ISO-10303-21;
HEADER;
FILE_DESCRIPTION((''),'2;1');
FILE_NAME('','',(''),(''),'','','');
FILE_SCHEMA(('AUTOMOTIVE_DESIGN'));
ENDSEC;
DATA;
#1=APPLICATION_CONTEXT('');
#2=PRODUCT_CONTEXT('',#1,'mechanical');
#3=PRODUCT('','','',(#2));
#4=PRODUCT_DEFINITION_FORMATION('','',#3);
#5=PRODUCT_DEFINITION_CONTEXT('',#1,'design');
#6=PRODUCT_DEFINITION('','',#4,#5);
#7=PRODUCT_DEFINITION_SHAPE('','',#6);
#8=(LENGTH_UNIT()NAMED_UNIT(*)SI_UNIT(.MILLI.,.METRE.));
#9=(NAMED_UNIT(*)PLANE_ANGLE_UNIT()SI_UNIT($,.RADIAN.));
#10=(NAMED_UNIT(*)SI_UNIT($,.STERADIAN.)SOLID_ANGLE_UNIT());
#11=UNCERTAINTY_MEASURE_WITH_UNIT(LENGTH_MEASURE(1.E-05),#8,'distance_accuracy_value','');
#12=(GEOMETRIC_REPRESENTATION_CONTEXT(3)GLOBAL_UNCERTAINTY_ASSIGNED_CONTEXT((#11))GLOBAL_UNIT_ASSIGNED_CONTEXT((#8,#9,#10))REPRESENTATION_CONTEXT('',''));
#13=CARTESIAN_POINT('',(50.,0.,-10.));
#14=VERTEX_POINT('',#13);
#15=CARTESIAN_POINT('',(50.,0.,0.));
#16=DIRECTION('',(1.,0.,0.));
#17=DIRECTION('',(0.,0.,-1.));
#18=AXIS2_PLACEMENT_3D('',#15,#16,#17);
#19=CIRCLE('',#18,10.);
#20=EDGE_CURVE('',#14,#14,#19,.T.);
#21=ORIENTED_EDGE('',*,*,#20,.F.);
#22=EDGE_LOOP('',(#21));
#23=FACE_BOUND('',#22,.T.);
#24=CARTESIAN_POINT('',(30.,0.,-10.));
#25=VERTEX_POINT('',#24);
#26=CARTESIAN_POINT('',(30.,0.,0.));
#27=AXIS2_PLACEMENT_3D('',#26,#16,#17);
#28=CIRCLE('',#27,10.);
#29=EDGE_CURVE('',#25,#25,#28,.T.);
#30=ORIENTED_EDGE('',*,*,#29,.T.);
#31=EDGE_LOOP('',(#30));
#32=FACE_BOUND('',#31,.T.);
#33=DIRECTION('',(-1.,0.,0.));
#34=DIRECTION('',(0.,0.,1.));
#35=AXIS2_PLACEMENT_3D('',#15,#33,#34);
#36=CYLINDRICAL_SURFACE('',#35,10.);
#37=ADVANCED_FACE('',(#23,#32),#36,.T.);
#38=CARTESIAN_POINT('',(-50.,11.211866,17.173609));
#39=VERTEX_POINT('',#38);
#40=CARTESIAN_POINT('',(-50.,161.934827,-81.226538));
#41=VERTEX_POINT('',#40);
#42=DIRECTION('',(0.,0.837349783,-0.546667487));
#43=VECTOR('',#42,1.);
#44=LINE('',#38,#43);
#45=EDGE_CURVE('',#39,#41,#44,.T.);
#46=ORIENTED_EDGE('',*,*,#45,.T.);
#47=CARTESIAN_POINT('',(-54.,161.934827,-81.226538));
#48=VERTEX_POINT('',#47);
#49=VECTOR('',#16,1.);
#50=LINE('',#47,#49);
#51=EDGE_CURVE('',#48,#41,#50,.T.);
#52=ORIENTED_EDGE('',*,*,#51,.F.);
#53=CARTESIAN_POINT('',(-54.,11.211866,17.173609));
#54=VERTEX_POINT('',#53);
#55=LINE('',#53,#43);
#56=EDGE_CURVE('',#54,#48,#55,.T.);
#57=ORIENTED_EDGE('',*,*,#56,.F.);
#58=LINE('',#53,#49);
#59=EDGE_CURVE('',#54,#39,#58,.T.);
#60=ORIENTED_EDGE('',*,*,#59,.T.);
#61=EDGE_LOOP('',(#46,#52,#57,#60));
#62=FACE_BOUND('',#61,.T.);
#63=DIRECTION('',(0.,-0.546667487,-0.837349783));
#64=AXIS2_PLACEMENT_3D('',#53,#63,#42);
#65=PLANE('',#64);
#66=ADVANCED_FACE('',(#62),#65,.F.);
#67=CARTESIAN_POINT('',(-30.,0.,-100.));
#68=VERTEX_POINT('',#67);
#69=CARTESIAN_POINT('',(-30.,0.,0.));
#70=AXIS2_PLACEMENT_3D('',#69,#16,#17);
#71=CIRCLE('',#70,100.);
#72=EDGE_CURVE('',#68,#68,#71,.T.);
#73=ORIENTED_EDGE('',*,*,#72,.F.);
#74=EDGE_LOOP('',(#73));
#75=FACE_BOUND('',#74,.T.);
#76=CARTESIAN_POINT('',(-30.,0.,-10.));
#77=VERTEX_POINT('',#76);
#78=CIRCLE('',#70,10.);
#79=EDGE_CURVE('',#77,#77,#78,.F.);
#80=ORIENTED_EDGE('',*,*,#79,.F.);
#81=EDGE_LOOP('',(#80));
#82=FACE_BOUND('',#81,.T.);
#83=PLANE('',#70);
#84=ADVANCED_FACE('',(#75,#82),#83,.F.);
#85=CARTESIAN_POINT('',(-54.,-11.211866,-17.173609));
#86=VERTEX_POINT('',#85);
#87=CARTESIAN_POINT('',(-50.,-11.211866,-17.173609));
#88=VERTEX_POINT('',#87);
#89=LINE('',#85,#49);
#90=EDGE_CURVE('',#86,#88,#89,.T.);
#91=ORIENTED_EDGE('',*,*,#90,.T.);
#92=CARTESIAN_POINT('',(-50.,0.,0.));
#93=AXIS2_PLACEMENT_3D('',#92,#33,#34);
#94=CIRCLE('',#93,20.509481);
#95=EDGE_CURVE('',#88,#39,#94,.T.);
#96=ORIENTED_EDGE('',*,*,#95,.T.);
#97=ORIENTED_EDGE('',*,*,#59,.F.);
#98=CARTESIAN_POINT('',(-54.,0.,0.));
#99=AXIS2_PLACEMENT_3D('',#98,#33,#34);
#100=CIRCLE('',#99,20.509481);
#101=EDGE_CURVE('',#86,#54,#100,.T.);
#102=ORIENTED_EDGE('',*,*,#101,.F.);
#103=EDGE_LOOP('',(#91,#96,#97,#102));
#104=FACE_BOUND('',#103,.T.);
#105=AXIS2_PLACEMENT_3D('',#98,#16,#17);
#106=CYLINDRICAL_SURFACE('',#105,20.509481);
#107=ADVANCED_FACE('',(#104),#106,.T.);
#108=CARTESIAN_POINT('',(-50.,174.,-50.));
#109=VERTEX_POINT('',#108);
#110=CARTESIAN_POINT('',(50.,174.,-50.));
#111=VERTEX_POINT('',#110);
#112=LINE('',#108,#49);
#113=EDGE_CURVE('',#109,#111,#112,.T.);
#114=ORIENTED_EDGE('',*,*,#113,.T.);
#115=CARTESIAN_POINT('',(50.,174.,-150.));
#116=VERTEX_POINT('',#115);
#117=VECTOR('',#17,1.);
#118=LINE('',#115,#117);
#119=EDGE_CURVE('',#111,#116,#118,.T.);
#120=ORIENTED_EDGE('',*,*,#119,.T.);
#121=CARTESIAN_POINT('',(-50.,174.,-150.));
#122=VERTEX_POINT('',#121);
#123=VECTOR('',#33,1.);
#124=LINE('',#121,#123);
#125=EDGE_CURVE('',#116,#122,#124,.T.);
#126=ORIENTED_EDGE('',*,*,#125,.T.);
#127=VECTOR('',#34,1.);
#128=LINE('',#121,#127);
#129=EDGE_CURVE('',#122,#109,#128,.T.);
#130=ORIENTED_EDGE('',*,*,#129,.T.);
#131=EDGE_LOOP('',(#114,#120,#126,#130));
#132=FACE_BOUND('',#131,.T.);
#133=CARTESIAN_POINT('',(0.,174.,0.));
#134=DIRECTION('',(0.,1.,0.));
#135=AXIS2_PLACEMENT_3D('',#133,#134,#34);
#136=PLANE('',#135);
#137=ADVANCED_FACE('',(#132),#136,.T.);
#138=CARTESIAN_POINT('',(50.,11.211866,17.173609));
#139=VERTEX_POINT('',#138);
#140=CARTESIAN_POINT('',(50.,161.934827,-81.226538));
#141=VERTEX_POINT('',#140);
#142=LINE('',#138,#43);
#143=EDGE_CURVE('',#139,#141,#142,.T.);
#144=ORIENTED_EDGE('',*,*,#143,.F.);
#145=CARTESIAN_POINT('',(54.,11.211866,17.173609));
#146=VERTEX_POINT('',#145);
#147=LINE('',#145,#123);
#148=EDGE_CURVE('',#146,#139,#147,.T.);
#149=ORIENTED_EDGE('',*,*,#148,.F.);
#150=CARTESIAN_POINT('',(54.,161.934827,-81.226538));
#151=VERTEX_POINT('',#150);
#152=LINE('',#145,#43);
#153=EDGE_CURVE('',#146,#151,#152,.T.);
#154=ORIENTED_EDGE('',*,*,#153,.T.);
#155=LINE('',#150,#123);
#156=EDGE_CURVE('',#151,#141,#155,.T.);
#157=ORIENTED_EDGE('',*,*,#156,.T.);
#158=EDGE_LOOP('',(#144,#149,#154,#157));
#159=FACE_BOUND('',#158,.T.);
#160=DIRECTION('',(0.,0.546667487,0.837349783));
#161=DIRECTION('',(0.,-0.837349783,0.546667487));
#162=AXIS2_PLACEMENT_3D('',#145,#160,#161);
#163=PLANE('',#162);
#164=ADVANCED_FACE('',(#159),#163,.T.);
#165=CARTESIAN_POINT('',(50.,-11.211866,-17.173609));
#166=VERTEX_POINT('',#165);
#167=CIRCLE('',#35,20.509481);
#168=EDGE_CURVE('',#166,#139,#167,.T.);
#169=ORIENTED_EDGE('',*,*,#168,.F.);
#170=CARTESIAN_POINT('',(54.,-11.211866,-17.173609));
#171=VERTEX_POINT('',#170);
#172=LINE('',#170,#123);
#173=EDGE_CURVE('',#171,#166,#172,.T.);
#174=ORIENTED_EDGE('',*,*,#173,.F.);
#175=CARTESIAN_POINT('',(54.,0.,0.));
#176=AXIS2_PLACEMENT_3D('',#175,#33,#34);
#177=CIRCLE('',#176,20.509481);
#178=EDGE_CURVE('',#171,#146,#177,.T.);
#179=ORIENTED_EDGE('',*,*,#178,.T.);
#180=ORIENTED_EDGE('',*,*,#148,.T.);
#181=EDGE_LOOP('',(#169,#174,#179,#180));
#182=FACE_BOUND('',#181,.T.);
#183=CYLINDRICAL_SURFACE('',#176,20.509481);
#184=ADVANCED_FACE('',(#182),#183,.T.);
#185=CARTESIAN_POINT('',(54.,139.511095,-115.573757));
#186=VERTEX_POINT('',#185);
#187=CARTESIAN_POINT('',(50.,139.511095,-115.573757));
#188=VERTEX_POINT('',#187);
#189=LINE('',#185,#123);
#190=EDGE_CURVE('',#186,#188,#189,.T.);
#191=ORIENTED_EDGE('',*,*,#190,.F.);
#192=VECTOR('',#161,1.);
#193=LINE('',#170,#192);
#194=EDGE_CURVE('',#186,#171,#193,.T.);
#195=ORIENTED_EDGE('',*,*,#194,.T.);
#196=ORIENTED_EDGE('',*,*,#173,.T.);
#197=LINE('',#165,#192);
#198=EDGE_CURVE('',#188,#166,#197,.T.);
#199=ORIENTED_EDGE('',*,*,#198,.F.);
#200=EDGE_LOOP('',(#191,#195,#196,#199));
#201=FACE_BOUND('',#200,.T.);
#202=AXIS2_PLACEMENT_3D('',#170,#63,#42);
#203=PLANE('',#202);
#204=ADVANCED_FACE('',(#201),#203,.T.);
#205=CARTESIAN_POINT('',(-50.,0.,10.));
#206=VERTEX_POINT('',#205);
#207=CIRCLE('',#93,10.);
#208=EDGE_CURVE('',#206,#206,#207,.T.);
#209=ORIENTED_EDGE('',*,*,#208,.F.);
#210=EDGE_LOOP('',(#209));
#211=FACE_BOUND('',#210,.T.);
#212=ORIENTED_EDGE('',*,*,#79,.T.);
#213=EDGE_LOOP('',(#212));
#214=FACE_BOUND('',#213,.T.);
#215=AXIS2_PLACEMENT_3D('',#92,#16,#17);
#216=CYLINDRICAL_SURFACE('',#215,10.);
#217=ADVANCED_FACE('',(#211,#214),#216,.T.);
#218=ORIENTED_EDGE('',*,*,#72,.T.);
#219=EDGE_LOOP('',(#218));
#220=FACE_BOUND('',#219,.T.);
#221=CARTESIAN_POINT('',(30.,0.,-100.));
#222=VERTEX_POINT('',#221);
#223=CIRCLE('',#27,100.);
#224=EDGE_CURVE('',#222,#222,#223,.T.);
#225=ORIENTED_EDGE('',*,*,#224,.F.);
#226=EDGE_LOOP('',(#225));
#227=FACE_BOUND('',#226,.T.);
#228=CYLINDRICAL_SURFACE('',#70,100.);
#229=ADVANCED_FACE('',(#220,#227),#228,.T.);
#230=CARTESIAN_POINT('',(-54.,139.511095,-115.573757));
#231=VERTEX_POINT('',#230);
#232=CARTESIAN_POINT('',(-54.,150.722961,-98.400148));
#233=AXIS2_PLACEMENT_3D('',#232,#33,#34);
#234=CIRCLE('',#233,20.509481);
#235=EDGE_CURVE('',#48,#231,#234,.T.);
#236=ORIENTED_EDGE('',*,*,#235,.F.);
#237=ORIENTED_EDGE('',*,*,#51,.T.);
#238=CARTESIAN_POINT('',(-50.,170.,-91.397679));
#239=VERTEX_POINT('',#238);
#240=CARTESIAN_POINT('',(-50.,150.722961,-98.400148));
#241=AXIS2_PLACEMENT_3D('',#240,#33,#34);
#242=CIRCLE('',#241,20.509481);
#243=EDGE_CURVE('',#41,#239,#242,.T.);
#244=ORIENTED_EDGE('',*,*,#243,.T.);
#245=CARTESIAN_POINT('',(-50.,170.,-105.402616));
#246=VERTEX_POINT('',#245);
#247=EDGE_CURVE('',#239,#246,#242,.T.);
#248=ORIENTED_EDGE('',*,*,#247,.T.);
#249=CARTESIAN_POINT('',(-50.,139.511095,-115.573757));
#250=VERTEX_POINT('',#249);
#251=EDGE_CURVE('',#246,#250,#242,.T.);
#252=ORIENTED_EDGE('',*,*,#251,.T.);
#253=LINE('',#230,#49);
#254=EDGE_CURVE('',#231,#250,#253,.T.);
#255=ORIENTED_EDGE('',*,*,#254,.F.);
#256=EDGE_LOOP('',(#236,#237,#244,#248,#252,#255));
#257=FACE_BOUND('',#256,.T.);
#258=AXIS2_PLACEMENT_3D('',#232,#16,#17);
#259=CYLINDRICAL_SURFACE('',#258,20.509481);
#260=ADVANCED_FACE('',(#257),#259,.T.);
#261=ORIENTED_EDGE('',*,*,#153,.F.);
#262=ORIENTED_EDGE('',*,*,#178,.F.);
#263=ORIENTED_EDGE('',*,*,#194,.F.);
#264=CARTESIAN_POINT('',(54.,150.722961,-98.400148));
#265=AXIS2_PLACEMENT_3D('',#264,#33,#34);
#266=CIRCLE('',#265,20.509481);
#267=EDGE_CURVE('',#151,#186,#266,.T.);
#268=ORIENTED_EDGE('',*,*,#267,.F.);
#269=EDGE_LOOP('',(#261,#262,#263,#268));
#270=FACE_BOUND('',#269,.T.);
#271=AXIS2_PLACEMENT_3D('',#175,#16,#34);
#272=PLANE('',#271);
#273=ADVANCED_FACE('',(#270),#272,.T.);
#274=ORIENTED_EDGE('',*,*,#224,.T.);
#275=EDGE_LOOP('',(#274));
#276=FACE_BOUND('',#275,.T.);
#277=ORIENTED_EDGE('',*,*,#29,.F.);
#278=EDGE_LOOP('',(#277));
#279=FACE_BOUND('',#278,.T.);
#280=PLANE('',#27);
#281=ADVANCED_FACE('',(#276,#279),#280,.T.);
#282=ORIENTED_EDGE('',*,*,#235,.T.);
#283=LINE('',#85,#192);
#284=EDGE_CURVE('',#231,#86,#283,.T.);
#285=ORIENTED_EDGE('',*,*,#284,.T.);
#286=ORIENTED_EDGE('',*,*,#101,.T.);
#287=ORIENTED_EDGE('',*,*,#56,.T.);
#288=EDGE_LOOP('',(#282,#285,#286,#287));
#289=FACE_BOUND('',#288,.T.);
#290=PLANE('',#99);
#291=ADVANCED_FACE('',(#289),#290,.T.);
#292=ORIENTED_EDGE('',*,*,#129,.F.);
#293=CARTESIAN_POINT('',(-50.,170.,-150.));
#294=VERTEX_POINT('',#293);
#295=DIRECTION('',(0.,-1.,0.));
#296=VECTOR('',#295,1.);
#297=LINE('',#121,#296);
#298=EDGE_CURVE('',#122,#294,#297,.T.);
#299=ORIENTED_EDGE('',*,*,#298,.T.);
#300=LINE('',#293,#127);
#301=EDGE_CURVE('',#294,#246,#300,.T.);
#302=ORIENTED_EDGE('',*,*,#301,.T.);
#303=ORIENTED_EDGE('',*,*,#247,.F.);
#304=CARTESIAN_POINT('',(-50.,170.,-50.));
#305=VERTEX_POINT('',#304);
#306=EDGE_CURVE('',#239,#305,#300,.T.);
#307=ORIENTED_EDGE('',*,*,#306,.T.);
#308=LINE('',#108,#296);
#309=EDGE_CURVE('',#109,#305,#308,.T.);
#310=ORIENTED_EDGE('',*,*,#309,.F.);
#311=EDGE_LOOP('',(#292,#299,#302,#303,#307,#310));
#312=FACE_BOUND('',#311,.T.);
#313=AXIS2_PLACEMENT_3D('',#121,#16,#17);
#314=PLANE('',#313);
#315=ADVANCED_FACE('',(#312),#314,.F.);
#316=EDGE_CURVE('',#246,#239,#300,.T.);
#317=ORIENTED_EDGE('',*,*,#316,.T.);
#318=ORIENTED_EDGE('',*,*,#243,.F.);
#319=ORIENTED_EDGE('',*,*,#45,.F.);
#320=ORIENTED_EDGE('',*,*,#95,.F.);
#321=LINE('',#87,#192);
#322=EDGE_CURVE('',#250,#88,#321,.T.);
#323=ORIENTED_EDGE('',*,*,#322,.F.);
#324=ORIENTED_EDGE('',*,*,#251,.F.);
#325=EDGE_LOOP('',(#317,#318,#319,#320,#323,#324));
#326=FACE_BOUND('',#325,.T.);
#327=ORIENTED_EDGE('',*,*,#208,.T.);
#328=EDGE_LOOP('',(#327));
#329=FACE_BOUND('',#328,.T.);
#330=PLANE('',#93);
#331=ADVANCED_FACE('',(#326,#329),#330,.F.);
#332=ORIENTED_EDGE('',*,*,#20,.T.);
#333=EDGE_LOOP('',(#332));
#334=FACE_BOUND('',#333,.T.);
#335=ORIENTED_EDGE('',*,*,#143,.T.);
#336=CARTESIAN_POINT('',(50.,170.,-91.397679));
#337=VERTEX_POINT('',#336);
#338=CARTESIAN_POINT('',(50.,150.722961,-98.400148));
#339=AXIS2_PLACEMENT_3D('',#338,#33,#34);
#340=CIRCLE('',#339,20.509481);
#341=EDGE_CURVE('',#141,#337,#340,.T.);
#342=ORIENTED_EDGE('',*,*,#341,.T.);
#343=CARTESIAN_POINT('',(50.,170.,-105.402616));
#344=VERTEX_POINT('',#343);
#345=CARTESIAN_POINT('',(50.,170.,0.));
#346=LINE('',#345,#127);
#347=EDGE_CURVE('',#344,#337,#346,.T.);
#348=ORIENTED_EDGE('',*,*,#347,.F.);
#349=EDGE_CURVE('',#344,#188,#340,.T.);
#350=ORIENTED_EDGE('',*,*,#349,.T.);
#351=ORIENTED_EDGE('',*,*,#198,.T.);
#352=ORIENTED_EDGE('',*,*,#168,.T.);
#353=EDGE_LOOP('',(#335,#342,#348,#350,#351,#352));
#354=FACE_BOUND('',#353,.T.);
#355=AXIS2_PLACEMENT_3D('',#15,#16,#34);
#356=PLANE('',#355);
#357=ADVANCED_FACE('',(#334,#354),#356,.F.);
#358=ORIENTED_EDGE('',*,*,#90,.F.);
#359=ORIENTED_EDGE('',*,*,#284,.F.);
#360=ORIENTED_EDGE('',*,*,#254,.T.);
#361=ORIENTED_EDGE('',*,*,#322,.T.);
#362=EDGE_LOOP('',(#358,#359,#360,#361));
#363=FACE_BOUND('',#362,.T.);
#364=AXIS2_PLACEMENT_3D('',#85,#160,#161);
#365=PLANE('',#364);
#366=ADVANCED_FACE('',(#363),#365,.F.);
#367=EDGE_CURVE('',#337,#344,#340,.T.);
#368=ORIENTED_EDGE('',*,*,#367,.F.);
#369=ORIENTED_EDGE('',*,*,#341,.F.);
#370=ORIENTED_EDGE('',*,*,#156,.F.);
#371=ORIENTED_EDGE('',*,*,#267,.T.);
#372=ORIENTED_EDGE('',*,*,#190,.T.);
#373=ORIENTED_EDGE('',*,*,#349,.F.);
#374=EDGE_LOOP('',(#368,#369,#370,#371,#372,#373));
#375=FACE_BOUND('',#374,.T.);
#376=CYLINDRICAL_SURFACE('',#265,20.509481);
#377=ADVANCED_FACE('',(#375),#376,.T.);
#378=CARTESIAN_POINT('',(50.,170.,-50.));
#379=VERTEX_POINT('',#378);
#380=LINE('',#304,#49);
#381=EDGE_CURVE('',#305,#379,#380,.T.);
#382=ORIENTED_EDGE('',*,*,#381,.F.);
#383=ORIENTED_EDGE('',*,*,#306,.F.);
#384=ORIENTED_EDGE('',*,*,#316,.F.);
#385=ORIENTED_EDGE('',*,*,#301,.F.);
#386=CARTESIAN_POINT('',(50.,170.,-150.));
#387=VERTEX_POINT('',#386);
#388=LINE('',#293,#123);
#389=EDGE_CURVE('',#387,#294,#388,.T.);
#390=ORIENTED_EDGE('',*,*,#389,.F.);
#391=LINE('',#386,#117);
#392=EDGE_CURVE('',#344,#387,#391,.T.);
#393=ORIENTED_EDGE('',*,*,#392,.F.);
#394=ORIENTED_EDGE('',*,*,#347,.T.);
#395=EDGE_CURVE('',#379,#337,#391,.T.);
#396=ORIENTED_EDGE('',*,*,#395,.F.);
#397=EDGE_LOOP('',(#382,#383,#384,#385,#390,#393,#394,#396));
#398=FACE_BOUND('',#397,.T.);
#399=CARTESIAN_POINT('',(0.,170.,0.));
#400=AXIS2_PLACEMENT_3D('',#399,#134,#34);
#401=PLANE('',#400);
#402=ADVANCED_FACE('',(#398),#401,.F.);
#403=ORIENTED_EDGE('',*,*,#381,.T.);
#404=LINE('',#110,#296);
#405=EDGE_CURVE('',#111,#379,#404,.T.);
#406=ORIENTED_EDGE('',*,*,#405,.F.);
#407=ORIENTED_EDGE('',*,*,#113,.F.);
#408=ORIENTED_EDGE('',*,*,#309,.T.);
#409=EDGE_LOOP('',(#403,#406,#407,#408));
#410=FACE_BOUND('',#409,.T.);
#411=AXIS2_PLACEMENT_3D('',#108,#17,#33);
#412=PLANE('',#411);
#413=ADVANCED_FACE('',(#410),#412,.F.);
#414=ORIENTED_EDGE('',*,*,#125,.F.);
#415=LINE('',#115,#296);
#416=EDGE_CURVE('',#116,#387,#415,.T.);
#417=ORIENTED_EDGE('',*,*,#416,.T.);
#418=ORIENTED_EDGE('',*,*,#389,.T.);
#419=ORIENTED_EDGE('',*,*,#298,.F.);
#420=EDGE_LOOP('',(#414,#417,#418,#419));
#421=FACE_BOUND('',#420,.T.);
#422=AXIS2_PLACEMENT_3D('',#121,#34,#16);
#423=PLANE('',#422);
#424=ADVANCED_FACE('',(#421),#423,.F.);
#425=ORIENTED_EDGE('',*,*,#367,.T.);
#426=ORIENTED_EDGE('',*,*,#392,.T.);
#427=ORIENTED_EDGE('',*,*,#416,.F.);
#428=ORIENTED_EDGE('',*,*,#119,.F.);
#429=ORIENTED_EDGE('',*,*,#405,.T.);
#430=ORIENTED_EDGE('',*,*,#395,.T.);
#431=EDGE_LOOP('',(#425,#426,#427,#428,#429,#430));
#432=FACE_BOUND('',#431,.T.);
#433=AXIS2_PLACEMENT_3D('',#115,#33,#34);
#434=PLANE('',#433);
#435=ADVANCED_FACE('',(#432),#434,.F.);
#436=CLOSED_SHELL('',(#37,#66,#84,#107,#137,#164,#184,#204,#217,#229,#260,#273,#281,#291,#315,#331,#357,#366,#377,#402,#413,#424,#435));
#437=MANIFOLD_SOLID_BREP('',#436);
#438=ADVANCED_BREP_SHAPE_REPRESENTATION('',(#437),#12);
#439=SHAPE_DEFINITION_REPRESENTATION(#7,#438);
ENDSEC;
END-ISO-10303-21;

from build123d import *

# Parameters (mm, degrees)
BOSS_EXTRUDE2_DEPTH      = 30
BOSS_EXTRUDE2_DEPTH_BACK = 30
SKETCH1_R                = 100
SKETCH2_R                = 10
BOSS_EXTRUDE3_DEPTH      = 20
BOSS_EXTRUDE4_START      = 20
SKETCH3_R                = 10
BOSS_EXTRUDE4_DEPTH      = 20
BOSS_EXTRUDE5_DEPTH      = 4
SKETCH10_W               = 100
SKETCH10_H               = 100
BOSS_EXTRUDE6_DEPTH      = 4


with BuildPart() as part:
    # Sketch1 → Boss-Extrude2 (new, two sides: drawn at the far end of the back side and taken through both)
    with BuildSketch(Plane(origin=(0, 0, 0), x_dir=(0, 0, -1), z_dir=(1, 0, 0)).offset(-BOSS_EXTRUDE2_DEPTH_BACK)):
        Circle(SKETCH1_R)
    extrude(amount=BOSS_EXTRUDE2_DEPTH + BOSS_EXTRUDE2_DEPTH_BACK)

    # Sketch2 → Boss-Extrude3 (add)
    with BuildSketch(Plane(origin=(30, 0, 0), x_dir=(0, 0, -1), z_dir=(1, 0, 0))):
        Circle(SKETCH2_R)
    extrude(amount=BOSS_EXTRUDE3_DEPTH)

    # Sketch3 → Boss-Extrude4 (add)
    with BuildSketch(Plane.ZY.offset(30).offset(BOSS_EXTRUDE4_START)):
        Circle(SKETCH3_R)
    extrude(amount=-BOSS_EXTRUDE4_DEPTH)

    # Sketch5 → Boss-Extrude5 (add)
    with BuildSketch(Plane.ZY.offset(50)):
        with BuildLine():
            Line((-17.1736092, -11.211866262), (-115.573756817, 139.51109466))
            ThreePointArc((-115.573756817, 139.51109466), (-109.612013879, 167.896570122), (-81.226538417, 161.934827183))
            Line((-81.226538417, 161.934827183), (17.1736092, 11.211866262))
            ThreePointArc((17.1736092, 11.211866262), (11.211866262, -17.1736092), (-17.1736092, -11.211866262))
        make_face()
    boss_extrude5 = extrude(amount=BOSS_EXTRUDE5_DEPTH)

    # Mirror1: Boss-Extrude5 across plane
    add(boss_extrude5.mirror(Plane(origin=(0, 0, 0), x_dir=(0, 0, 1), z_dir=(1, 0, 0))))

    # Sketch10 → Boss-Extrude6 (add)
    with BuildSketch(Plane(origin=(0, 170, 0), x_dir=(1, 0, 0), z_dir=(0, 1, 0))):
        with Locations((0, 100)):
            Rectangle(SKETCH10_W, SKETCH10_H)
    extrude(amount=BOSS_EXTRUDE6_DEPTH)


solid = part.part
